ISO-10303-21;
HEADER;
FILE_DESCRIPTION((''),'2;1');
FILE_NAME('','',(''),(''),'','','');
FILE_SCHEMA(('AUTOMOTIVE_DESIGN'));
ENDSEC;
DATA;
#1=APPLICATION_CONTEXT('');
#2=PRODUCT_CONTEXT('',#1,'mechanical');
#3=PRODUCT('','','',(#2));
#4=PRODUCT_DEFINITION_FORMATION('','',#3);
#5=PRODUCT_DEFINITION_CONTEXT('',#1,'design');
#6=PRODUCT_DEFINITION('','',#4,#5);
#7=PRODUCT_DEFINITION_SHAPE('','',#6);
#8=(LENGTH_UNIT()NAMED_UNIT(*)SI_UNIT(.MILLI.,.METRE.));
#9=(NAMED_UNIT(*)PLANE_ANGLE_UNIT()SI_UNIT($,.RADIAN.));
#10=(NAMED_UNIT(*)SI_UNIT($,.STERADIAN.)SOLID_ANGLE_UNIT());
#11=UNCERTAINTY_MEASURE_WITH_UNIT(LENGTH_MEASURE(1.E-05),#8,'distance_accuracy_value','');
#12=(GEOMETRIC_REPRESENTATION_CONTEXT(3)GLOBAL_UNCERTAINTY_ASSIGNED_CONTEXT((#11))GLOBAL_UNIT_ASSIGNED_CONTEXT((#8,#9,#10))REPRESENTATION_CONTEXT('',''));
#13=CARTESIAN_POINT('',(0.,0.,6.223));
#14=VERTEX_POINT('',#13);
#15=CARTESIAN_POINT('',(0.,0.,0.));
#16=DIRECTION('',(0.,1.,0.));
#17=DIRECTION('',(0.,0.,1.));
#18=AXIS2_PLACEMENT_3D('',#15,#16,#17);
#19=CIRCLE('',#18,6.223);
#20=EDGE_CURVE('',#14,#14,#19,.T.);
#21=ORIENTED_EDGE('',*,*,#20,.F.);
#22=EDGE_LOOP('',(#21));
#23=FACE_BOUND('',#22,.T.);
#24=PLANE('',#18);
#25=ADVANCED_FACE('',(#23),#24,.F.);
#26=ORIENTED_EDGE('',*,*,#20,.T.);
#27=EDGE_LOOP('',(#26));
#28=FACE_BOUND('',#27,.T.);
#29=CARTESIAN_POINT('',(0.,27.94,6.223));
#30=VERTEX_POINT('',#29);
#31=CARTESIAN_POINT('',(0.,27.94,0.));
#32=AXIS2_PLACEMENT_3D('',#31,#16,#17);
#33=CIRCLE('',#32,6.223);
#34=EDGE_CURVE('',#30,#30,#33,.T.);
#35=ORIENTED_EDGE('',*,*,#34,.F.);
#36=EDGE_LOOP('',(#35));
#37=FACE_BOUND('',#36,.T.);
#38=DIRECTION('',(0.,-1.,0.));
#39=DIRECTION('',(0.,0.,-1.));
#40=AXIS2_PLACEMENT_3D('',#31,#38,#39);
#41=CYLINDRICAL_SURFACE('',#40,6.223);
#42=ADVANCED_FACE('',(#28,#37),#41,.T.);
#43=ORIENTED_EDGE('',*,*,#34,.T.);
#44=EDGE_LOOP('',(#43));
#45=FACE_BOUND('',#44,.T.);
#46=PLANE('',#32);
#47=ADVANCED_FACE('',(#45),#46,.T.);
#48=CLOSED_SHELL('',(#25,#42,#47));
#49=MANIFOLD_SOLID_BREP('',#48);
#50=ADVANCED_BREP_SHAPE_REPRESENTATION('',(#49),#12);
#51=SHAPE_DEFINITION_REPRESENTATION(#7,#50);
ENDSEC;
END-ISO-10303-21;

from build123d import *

# Parameters (mm, degrees)
SKETCH1_R           = 6.223
BOSS_EXTRUDE1_DEPTH = 27.94


with BuildPart() as part:
    # Sketch1 → Boss-Extrude1 (new body)
    with BuildSketch(Plane(origin=(0, 0, 0), x_dir=(1, 0, 0), z_dir=(0, 1, 0))):
        Circle(SKETCH1_R)
    extrude(amount=BOSS_EXTRUDE1_DEPTH)


solid = part.part
